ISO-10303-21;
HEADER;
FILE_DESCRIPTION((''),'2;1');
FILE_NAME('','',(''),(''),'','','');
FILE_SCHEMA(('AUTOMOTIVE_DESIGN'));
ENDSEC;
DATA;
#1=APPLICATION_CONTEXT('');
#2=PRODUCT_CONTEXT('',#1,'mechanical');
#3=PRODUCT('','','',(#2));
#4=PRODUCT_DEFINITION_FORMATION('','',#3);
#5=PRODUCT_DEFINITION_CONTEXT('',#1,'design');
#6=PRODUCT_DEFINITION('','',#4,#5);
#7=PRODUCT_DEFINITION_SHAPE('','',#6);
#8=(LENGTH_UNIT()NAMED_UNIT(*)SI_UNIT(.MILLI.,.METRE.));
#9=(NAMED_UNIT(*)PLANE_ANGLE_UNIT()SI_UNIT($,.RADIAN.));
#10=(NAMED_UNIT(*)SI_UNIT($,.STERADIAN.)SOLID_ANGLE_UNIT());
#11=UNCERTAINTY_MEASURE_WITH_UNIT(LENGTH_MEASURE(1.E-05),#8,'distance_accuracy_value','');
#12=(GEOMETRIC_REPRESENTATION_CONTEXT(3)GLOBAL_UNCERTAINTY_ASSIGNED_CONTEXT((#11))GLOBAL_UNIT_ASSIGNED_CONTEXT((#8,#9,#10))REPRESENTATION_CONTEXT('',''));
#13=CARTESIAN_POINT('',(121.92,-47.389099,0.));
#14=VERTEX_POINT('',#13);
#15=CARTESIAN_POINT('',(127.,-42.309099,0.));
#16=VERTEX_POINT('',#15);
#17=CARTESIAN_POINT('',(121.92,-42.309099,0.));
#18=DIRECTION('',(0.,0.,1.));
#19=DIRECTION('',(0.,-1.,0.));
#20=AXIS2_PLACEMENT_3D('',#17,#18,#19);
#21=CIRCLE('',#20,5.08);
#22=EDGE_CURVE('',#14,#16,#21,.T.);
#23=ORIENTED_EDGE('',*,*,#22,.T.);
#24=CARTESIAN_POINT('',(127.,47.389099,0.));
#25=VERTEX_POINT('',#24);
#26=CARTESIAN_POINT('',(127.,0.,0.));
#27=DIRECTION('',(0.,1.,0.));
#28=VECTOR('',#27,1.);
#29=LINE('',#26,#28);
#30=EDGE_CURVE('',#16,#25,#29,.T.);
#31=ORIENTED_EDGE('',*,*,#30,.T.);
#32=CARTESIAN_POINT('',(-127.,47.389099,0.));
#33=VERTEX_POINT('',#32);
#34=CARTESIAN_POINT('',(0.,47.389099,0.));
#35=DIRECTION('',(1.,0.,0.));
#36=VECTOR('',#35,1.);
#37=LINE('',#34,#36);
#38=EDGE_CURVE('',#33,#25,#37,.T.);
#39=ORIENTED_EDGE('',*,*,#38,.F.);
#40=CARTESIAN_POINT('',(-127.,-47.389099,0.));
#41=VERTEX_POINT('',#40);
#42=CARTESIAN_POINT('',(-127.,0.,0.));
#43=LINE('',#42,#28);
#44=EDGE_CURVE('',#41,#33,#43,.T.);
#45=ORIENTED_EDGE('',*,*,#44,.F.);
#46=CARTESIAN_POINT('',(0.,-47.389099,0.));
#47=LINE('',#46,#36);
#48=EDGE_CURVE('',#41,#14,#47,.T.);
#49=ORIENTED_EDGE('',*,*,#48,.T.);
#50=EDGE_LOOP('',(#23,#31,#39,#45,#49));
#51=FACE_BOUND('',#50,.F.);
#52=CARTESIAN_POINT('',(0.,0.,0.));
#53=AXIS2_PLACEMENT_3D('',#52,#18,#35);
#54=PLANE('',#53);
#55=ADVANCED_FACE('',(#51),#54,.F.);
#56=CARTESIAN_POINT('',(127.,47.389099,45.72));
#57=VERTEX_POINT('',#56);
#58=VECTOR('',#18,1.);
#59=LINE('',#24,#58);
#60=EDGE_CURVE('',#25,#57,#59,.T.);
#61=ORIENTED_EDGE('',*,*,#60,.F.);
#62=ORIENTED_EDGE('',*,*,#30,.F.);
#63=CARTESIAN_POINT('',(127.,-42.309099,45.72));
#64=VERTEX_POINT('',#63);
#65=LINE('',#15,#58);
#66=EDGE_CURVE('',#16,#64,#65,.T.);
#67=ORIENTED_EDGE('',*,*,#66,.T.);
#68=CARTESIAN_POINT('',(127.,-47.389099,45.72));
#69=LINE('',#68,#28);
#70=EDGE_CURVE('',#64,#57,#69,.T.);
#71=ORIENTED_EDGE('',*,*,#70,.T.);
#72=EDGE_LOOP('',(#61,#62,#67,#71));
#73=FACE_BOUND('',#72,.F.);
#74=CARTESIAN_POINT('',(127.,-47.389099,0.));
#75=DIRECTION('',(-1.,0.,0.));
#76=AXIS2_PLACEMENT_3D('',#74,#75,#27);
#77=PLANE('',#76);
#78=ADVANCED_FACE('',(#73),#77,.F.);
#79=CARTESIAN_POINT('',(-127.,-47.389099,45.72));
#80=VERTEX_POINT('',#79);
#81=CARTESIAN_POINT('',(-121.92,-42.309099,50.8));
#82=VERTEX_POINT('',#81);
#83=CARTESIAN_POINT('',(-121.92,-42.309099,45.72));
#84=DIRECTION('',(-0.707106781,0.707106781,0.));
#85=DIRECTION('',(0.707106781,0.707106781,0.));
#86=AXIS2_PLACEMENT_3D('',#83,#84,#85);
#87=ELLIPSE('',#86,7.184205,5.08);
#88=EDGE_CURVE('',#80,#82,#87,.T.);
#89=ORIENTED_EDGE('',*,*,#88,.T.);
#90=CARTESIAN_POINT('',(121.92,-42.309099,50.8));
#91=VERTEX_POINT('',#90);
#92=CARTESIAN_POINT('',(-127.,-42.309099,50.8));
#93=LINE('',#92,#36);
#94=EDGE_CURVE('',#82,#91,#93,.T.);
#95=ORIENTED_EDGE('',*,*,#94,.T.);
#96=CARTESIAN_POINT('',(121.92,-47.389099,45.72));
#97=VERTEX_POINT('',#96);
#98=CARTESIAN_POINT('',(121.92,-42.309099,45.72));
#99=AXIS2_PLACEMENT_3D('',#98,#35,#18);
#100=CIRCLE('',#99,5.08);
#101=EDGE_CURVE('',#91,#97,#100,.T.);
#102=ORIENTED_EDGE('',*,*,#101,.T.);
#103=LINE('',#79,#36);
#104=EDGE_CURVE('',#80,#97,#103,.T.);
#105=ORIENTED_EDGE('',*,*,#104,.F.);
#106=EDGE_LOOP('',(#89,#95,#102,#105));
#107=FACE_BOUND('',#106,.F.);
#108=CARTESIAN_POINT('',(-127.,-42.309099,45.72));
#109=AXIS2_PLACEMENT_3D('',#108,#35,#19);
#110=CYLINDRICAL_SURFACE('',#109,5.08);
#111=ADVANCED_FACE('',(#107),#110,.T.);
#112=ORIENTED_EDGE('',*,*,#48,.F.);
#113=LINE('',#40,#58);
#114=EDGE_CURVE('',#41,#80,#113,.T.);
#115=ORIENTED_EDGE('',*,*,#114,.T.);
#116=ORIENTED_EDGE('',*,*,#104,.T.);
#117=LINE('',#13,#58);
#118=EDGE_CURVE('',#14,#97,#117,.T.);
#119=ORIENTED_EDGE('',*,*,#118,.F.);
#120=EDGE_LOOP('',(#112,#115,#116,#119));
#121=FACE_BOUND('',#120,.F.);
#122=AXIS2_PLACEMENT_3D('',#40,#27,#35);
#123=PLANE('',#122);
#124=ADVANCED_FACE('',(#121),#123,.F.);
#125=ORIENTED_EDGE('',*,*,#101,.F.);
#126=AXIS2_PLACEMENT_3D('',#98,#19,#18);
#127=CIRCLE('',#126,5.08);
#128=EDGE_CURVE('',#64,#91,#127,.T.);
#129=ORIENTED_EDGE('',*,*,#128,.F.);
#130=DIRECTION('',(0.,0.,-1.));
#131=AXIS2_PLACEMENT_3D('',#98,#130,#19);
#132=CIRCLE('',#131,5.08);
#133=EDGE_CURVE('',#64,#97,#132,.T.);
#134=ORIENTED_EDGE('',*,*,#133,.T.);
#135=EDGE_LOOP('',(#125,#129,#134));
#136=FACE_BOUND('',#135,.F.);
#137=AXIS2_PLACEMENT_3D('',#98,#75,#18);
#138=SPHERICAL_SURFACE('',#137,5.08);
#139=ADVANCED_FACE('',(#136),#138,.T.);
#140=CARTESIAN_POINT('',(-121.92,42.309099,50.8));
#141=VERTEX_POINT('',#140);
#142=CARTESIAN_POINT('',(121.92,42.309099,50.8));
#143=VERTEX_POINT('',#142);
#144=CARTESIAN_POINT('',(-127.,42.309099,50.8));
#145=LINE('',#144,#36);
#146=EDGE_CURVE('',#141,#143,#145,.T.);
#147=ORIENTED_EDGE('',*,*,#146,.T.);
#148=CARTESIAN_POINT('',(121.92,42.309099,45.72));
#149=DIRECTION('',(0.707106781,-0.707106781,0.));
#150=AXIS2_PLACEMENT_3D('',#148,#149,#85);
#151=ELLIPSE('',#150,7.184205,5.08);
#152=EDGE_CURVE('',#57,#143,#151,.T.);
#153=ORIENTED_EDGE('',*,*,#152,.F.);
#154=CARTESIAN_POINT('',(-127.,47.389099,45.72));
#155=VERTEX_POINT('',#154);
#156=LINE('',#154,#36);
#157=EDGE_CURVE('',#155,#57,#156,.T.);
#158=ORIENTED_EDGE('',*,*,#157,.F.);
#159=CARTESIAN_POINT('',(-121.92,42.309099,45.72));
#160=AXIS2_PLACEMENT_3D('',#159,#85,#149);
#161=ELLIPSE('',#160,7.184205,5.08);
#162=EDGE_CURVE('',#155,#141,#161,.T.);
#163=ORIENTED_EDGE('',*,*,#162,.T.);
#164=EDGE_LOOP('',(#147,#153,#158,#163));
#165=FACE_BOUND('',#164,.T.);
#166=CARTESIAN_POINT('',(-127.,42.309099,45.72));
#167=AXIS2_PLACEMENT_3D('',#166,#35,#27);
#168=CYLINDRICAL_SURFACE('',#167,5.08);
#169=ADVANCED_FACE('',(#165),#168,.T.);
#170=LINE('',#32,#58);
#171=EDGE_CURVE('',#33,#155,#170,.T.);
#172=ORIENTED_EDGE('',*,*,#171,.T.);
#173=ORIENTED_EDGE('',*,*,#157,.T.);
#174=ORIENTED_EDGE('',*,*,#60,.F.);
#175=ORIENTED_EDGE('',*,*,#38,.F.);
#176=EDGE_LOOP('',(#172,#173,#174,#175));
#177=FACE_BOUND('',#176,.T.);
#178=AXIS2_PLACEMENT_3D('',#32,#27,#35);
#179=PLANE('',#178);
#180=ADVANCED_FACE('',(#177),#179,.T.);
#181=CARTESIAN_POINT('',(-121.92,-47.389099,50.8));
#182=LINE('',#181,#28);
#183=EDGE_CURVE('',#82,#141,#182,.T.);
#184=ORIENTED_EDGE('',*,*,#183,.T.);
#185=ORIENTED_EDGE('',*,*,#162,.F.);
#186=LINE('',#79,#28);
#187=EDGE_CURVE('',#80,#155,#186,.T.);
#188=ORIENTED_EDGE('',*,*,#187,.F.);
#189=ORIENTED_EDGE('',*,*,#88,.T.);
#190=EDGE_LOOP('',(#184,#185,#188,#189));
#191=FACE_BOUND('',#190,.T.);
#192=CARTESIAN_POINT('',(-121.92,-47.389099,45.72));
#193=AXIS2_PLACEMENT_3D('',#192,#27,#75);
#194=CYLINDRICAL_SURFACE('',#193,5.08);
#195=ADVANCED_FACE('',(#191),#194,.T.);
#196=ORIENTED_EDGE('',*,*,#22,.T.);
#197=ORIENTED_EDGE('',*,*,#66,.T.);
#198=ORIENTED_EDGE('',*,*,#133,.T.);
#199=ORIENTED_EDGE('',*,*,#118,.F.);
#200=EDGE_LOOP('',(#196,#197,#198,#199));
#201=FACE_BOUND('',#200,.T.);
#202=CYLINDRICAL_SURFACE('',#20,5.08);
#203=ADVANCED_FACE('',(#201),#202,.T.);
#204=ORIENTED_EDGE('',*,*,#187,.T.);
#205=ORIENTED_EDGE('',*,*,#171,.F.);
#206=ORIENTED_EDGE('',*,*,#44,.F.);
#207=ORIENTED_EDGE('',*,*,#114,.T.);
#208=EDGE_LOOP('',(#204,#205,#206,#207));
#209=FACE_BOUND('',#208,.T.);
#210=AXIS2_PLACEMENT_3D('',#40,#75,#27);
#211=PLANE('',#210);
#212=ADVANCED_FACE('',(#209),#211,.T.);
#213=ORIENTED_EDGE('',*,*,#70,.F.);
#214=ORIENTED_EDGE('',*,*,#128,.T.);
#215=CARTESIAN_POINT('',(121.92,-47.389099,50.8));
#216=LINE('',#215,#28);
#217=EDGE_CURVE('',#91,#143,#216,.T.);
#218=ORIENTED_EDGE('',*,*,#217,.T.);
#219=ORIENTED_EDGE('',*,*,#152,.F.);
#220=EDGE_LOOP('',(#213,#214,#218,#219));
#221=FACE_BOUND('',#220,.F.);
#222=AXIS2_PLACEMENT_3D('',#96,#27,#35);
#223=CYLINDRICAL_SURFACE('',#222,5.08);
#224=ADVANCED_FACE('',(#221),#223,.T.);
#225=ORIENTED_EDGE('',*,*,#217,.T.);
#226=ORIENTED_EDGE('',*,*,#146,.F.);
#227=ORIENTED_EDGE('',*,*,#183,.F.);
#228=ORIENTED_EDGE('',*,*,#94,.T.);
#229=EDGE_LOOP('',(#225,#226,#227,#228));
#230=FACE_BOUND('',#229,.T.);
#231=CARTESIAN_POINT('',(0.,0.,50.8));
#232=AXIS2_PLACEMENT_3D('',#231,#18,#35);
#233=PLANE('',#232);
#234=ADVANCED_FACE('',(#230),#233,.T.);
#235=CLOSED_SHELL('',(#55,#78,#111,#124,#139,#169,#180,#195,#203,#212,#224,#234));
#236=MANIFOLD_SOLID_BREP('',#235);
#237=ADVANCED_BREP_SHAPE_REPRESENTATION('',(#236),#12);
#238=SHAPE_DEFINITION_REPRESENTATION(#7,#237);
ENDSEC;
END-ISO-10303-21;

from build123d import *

# Parameters (mm, degrees)
F0_W     = 254
F0_H     = 94.778198
F1_DEPTH = 50.8
F2_R     = 5.08


with BuildPart() as f1:
    # F0 (on Top) → F1 (new body)
    with BuildSketch(Plane.XY):
        Rectangle(F0_W, F0_H)
    extrude(amount=F1_DEPTH)

    # F2
    f2_edges = [f1.edges().sort_by_distance(p)[0] for p in [
        (0, -47.389099, 50.8),
        (127, 0, 50.8),
        (0, 47.389099, 50.8),
        (-127, 0, 50.8),
        (127, -47.389099, 25.4),
    ]]
    fillet(f2_edges, radius=F2_R)


solid = f1.part
